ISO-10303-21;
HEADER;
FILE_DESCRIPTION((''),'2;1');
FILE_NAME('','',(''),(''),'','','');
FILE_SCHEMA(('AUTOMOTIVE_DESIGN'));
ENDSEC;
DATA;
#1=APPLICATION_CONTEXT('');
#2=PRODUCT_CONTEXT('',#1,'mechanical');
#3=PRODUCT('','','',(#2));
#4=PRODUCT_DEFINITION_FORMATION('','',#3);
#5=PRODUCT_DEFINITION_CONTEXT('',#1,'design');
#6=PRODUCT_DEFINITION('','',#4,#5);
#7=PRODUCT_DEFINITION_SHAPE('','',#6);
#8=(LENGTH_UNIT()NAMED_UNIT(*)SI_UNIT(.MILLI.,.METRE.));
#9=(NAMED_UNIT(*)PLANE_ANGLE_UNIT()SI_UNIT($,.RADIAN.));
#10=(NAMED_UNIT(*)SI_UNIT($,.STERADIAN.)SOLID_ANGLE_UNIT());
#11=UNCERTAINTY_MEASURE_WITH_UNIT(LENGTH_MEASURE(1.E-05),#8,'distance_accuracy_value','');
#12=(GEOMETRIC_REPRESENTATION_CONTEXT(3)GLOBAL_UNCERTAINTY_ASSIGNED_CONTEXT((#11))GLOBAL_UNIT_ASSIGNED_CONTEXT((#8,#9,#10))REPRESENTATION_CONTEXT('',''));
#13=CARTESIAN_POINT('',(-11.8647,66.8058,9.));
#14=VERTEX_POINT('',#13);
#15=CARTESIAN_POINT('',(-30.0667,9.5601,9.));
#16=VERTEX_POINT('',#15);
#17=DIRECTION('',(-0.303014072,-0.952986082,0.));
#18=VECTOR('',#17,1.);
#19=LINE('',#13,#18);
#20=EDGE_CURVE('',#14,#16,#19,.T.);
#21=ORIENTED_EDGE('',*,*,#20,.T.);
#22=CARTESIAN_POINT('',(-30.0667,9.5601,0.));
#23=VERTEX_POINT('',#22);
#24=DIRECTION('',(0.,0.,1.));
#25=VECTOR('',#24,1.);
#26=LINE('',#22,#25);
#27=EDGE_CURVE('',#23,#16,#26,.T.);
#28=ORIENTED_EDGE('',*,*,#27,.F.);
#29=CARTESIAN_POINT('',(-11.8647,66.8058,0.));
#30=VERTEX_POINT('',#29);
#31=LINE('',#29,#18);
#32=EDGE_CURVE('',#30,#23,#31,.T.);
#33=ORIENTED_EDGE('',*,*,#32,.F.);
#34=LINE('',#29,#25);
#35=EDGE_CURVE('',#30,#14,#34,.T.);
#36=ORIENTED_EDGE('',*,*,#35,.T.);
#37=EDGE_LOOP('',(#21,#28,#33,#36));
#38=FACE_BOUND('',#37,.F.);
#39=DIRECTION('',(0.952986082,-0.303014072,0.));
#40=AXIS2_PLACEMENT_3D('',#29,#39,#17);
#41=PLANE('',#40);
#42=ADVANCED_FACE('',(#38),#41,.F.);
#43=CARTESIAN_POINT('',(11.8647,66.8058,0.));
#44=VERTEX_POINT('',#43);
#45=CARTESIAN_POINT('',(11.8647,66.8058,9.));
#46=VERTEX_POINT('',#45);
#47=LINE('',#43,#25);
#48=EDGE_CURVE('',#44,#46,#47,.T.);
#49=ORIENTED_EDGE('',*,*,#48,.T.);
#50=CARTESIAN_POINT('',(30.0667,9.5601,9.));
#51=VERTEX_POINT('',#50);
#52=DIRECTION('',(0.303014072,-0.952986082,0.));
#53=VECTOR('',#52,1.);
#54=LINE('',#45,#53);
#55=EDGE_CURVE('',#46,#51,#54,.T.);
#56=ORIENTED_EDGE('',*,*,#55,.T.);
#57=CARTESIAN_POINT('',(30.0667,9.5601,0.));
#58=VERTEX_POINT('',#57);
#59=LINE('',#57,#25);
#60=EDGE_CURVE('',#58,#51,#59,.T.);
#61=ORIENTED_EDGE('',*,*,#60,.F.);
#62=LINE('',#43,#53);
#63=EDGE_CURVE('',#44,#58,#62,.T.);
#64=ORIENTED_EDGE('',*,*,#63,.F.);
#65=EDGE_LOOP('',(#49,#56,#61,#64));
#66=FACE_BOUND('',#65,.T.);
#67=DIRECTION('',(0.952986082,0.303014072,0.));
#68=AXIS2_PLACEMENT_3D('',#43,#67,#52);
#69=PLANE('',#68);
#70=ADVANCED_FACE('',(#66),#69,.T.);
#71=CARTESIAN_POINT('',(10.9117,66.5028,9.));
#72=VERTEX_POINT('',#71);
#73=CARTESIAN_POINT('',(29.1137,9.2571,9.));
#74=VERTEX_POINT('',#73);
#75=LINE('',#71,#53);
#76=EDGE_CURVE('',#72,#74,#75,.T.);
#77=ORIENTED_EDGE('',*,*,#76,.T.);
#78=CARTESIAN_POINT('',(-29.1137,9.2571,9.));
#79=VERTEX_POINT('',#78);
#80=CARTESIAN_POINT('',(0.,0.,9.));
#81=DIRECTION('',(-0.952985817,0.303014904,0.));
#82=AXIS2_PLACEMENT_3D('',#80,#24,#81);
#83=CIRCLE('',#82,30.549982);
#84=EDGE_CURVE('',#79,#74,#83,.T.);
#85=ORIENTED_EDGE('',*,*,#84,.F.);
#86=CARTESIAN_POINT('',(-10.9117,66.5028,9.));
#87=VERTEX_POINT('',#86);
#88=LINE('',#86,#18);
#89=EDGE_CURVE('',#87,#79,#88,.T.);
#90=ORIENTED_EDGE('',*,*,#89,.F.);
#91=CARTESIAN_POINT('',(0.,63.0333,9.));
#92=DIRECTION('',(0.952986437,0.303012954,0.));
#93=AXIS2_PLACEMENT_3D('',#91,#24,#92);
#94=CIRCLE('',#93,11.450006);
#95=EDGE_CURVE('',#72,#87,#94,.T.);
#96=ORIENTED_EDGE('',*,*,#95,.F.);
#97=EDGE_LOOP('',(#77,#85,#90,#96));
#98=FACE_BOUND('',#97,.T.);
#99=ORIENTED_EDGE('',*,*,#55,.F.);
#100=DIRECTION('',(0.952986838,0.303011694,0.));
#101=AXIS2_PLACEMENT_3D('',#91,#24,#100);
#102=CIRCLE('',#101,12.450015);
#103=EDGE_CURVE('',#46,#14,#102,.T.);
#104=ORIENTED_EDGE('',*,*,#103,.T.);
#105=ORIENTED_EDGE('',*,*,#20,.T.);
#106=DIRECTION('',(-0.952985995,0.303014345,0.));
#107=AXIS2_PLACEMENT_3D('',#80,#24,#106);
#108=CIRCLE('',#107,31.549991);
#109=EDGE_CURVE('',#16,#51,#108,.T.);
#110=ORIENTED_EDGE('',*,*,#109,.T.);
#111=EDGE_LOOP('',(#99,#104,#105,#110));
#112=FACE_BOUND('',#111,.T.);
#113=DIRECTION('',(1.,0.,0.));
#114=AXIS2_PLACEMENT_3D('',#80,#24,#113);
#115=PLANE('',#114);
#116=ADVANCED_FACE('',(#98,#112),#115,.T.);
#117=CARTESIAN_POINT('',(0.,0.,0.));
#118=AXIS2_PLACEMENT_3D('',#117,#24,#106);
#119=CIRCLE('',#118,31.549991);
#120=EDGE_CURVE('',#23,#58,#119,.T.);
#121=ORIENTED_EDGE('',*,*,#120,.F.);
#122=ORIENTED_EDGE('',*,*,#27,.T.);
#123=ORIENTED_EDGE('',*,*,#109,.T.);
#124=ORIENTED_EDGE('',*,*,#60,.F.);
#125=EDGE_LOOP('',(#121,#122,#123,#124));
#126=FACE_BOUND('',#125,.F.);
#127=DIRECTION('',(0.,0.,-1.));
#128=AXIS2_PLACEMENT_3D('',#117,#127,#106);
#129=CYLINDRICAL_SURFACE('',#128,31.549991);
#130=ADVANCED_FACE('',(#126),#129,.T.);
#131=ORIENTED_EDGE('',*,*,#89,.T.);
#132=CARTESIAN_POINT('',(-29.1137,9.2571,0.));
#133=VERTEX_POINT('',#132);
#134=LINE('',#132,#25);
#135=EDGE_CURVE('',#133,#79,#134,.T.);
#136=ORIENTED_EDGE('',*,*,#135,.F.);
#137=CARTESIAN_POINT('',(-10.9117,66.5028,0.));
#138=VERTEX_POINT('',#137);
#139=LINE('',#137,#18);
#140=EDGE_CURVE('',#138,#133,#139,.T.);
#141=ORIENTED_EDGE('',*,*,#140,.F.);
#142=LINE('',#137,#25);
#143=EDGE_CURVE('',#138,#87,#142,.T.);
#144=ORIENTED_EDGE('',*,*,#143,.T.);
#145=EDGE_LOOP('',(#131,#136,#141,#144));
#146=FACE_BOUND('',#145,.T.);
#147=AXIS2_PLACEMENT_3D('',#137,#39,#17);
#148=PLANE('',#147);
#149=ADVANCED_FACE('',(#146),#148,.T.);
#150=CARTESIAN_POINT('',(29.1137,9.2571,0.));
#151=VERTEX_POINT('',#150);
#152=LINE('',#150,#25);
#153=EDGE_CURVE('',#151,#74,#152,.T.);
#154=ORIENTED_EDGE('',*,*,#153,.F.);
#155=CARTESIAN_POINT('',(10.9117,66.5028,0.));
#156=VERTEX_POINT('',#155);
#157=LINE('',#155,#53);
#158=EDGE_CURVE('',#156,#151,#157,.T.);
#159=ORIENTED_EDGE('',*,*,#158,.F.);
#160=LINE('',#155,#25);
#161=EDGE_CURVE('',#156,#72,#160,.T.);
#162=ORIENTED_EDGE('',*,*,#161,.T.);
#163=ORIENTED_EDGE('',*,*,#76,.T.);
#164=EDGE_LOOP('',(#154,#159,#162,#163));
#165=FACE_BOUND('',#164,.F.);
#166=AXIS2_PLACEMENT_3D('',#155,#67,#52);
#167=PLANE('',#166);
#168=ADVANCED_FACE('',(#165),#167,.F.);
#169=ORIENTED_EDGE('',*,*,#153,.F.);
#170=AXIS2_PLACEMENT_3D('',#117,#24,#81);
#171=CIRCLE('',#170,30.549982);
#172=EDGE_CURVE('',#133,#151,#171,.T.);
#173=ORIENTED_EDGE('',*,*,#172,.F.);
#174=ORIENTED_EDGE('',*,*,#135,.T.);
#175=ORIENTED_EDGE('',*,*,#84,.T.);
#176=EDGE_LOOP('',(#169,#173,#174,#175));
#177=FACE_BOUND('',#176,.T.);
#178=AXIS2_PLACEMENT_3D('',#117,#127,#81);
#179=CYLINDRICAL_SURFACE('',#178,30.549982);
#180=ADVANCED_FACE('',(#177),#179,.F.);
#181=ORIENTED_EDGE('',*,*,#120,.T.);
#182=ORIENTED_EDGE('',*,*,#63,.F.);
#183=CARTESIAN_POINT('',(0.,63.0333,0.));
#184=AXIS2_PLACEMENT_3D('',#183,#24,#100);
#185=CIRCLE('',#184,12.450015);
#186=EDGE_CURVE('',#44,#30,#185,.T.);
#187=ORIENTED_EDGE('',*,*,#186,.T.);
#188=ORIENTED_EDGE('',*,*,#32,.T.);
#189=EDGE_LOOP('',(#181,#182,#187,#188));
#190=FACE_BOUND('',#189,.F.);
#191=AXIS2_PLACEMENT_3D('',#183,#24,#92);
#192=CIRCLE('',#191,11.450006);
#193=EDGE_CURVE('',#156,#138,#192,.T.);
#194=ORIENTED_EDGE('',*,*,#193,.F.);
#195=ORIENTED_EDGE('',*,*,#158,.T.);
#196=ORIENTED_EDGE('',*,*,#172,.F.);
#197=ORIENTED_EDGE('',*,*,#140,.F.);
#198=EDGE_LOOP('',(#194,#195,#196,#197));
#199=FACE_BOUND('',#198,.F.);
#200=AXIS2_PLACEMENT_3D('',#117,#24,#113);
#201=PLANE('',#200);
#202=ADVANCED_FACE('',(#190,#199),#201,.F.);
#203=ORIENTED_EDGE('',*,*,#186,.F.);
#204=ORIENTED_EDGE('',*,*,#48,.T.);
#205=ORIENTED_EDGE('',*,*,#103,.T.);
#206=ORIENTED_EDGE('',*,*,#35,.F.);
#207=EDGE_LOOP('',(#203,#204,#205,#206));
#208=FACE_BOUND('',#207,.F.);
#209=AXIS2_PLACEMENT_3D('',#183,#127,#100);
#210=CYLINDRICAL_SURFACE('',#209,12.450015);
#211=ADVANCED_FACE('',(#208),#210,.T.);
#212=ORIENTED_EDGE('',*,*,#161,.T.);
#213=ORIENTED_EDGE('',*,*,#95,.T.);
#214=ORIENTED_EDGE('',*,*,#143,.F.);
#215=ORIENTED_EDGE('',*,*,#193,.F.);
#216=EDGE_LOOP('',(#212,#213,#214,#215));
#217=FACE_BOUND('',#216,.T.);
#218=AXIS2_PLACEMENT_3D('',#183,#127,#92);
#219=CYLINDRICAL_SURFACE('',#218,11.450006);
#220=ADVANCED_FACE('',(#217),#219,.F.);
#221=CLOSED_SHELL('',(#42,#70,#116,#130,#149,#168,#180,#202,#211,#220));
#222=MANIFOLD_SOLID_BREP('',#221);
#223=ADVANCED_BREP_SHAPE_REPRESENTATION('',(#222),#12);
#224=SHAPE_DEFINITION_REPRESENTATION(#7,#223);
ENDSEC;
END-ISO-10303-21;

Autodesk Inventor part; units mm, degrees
ref_plane "YZ Plane" through (0, 0, 0) normal (1, 0, 0) x (0, 1, 0)
ref_plane "XZ Plane" through (0, 0, 0) normal (0, 1, 0) x (-1, 0, 0)
ref_plane "XY Plane" through (0, 0, 0) normal (0, 0, 1) x (1, 0, 0)
sketch "Sketch1" plane through (0, 0, 0) normal (0, 0, 1) x (1, 0, 0)
  arc A0 (0, 30.55) -> (-29.1137, 9.2571) centre (0, 0) ccw construction
  arc A1 (0, 51.5833) -> (10.9117, 66.5028) centre (0, 63.0333) ccw construction
  line L0 (10.9117, 66.5028) -> (29.1137, 9.2571)
  line L1 (-10.9117, 66.5028) -> (-29.1137, 9.2571)
  line L2 (0, 63.0333) -> (0, 0) construction
  arc A2 (-10.9117, 66.5028) -> (0, 51.5833) centre (0, 63.0333) ccw construction
  arc A3 (10.9117, 66.5028) -> (-10.9117, 66.5028) centre (0, 63.0333) ccw
  arc A4 (29.1137, 9.2571) -> (0, 30.55) centre (0, 0) ccw construction
  arc A5 (-29.1137, 9.2571) -> (29.1137, 9.2571) centre (0, 0) ccw
  arc A6 (-11.8647, 66.8058) -> (11.8647, 66.8058) centre (0, 63.0333) ccw construction
  arc A7 (30.0667, 9.5601) -> (-30.0667, 9.5601) centre (0, 0) ccw construction
  line L3 (-11.8647, 66.8058) -> (-30.0667, 9.5601)
  line L4 (11.8647, 66.8058) -> (30.0667, 9.5601)
  arc A8 (11.8647, 66.8058) -> (-11.8647, 66.8058) centre (0, 63.0333) ccw
  arc A9 (-30.0667, 9.5601) -> (30.0667, 9.5601) centre (0, 0) ccw
  dimension "d0" = 60.0698
  dimension "d1" = 22.9
  dimension "d2" = 61.1
  dimension "d3" = 24.9
  dimension "d4" = 63.1
extrude "Extrusion1" add sketch "Sketch1" along normal blind 9
ref_plane "Work Plane1" through (0, 0, 4.5) normal (0, 0, 1) x (1, 0, 0)
properties part number "Timming Belt - 165"
